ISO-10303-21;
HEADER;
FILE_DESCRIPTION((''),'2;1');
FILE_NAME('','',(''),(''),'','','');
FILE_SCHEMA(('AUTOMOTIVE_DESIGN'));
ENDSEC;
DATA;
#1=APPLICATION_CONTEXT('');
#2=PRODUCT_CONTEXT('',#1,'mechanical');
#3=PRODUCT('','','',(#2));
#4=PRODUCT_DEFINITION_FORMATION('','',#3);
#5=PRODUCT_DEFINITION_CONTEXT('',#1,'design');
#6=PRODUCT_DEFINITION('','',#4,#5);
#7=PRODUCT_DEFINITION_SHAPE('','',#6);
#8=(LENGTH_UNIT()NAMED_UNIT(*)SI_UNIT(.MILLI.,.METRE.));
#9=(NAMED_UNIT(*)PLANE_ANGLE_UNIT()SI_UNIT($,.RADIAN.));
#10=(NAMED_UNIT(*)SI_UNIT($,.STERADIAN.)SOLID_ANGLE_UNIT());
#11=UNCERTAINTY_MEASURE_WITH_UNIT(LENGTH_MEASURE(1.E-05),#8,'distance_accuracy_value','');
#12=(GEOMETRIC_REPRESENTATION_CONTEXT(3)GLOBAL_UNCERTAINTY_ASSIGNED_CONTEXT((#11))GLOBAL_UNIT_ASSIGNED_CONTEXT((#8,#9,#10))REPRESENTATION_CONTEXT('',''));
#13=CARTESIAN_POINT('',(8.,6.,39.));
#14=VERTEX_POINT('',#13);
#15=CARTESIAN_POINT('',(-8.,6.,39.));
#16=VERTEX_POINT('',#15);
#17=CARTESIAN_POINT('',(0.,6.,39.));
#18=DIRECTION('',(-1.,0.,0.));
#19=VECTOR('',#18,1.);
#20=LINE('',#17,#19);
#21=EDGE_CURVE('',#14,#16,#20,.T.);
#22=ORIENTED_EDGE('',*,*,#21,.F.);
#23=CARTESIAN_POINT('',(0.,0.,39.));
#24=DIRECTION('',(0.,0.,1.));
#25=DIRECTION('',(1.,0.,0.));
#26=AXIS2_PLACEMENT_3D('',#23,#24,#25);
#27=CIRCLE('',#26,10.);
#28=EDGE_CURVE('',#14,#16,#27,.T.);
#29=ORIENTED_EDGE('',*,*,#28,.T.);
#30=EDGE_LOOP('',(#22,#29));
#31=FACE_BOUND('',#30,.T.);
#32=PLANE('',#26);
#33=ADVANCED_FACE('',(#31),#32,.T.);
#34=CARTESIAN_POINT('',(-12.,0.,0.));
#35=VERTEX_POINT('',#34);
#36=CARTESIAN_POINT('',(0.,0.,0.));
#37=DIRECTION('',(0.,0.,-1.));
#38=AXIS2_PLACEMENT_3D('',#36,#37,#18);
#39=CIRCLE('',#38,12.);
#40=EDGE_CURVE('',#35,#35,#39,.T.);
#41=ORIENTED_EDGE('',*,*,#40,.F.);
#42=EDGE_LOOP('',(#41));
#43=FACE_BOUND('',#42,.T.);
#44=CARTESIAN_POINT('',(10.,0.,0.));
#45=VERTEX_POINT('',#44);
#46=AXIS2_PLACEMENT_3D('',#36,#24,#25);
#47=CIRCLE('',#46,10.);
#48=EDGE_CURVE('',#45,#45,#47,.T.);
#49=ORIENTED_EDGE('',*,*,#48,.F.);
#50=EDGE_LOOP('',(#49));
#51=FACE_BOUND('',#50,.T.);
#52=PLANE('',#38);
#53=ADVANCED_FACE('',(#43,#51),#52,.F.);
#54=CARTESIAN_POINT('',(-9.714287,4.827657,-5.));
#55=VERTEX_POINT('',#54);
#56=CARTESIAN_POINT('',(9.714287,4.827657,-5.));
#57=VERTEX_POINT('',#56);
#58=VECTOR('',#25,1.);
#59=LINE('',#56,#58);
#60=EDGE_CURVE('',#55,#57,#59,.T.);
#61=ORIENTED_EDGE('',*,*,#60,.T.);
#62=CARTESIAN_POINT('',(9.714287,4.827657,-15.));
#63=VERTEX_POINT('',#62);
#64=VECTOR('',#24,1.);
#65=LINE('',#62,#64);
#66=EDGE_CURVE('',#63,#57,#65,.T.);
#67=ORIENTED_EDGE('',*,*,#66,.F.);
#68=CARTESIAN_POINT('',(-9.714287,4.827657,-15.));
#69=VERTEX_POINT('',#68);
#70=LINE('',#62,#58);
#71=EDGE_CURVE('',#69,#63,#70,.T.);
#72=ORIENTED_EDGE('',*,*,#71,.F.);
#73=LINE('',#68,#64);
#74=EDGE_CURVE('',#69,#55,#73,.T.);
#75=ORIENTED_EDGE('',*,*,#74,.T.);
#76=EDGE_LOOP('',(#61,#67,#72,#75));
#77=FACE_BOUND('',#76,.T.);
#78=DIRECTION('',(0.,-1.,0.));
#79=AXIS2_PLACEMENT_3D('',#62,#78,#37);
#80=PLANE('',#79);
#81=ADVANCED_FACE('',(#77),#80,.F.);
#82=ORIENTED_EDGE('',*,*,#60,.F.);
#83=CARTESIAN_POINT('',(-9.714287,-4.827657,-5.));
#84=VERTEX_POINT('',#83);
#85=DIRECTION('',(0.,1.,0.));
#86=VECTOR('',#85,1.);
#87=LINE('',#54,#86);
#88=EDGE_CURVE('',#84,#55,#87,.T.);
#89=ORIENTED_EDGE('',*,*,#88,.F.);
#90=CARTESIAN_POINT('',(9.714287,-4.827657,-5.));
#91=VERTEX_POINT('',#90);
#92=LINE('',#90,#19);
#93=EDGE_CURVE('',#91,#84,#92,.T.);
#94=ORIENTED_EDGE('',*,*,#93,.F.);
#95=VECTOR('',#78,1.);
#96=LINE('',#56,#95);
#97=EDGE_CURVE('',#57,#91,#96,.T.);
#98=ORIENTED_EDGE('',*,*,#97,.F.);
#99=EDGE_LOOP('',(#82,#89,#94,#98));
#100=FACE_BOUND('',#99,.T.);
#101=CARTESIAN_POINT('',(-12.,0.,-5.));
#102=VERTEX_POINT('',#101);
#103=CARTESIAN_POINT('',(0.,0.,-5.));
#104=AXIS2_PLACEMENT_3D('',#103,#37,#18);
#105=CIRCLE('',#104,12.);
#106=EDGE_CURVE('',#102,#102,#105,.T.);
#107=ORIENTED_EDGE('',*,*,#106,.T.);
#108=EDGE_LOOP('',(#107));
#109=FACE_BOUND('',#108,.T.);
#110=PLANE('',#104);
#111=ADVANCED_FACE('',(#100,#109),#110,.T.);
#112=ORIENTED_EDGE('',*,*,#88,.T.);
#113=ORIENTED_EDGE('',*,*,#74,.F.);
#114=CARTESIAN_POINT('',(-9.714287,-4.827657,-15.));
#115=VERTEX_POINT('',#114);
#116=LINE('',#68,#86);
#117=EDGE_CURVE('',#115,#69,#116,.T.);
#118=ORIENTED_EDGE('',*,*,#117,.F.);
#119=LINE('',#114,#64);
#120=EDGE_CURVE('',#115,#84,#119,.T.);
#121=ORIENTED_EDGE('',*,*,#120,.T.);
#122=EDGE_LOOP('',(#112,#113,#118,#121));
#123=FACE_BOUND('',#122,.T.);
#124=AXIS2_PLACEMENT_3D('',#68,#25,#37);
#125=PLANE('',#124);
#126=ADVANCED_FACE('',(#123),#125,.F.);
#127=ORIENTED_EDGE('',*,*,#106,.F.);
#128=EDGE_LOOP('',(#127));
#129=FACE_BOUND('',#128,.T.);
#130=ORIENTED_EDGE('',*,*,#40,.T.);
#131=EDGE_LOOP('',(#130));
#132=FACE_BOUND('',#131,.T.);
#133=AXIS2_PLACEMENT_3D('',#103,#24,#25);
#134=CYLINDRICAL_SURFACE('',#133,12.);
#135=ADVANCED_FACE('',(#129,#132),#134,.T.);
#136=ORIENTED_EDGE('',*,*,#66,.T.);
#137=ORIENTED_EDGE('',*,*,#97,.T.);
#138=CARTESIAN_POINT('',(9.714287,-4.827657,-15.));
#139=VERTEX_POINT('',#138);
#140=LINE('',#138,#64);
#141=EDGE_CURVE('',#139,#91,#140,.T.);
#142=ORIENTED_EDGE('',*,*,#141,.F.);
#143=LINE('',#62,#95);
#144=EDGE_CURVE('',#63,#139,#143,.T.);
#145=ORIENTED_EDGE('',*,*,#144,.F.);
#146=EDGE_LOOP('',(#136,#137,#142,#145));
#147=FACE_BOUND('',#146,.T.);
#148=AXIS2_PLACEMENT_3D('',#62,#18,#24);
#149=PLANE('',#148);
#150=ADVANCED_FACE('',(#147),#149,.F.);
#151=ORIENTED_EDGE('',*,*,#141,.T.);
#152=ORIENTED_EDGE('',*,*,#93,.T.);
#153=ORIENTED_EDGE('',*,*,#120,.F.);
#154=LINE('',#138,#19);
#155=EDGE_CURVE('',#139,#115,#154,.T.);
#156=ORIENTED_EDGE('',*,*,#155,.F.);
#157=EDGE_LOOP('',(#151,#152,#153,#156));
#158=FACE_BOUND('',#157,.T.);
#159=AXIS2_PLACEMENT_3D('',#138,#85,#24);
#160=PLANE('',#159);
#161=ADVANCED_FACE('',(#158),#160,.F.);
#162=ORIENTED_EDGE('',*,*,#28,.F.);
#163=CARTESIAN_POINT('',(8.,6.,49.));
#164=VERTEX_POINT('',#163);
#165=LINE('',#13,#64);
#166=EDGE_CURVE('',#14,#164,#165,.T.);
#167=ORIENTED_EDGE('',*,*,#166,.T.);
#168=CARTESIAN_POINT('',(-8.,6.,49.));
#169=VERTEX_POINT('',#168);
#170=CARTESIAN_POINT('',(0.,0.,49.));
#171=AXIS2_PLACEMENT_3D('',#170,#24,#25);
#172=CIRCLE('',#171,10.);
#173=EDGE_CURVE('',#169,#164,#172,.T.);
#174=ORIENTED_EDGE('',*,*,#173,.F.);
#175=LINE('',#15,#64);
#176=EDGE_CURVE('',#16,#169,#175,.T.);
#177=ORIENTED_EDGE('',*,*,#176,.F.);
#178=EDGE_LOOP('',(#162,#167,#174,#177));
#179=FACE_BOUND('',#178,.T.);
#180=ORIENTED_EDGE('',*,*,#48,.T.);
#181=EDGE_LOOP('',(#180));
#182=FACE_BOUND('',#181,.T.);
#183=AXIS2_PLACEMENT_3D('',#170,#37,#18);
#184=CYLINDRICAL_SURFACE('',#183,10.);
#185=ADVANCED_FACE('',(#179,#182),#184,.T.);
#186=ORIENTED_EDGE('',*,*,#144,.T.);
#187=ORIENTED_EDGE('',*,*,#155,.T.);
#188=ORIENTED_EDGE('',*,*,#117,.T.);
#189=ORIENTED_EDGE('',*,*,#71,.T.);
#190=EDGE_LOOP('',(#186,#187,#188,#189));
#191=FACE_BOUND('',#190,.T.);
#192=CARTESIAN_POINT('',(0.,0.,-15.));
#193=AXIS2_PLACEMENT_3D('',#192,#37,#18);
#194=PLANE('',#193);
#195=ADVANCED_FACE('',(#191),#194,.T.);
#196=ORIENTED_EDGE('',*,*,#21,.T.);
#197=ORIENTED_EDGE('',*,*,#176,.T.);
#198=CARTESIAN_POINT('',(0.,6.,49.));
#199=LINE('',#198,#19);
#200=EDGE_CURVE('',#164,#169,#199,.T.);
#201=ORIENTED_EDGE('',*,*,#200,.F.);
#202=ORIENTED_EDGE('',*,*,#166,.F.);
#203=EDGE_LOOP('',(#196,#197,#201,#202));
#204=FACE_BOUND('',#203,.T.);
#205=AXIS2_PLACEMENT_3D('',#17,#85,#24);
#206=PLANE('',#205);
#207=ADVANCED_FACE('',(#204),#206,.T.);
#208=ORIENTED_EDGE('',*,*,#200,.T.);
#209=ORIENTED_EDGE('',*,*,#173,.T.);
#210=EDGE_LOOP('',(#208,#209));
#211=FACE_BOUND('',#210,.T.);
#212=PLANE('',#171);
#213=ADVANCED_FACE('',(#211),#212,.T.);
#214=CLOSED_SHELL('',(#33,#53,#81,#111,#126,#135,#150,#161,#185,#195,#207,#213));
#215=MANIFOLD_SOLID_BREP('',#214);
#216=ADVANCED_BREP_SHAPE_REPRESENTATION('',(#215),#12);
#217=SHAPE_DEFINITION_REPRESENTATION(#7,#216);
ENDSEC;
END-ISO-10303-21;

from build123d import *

# Parameters (mm, degrees)
SKETCH1_R           = 10
BOSS_EXTRUDE1_DEPTH = 49
SKETCH2_R           = 12
BOSS_EXTRUDE2_DEPTH = 5
CUT_EXTRUDE1_DEPTH  = 10
SKETCH4_W           = 19.428573608
SKETCH4_H           = 9.65531402
BOSS_EXTRUDE3_DEPTH = 10


with BuildPart() as part:
    # Sketch1 → Boss-Extrude1 (new body)
    with BuildSketch(Plane.XY):
        Circle(SKETCH1_R)
    extrude(amount=BOSS_EXTRUDE1_DEPTH)

    # Sketch2 → Boss-Extrude2 (add)
    with BuildSketch(Plane(origin=(0, 0, 0), x_dir=(-1, 0, 0), z_dir=(0, 0, -1))):
        Circle(SKETCH2_R)
    extrude(amount=BOSS_EXTRUDE2_DEPTH)

    # Sketch3 → Cut-Extrude1 (cut)
    with BuildSketch(Plane.XY.offset(49)):
        with BuildLine():
            Line((0, 6), (8, 6))
            ThreePointArc((8, 6), (0, 10), (-8, 6))
            Line((-8, 6), (0, 6))
        make_face()
    extrude(amount=-CUT_EXTRUDE1_DEPTH, mode=Mode.SUBTRACT)

    # Sketch4 → Boss-Extrude3 (add)
    with BuildSketch(Plane(origin=(0, 0, -5), x_dir=(-1, 0, 0), z_dir=(0, 0, -1))):
        Rectangle(SKETCH4_W, SKETCH4_H)
    extrude(amount=BOSS_EXTRUDE3_DEPTH)


solid = part.part
